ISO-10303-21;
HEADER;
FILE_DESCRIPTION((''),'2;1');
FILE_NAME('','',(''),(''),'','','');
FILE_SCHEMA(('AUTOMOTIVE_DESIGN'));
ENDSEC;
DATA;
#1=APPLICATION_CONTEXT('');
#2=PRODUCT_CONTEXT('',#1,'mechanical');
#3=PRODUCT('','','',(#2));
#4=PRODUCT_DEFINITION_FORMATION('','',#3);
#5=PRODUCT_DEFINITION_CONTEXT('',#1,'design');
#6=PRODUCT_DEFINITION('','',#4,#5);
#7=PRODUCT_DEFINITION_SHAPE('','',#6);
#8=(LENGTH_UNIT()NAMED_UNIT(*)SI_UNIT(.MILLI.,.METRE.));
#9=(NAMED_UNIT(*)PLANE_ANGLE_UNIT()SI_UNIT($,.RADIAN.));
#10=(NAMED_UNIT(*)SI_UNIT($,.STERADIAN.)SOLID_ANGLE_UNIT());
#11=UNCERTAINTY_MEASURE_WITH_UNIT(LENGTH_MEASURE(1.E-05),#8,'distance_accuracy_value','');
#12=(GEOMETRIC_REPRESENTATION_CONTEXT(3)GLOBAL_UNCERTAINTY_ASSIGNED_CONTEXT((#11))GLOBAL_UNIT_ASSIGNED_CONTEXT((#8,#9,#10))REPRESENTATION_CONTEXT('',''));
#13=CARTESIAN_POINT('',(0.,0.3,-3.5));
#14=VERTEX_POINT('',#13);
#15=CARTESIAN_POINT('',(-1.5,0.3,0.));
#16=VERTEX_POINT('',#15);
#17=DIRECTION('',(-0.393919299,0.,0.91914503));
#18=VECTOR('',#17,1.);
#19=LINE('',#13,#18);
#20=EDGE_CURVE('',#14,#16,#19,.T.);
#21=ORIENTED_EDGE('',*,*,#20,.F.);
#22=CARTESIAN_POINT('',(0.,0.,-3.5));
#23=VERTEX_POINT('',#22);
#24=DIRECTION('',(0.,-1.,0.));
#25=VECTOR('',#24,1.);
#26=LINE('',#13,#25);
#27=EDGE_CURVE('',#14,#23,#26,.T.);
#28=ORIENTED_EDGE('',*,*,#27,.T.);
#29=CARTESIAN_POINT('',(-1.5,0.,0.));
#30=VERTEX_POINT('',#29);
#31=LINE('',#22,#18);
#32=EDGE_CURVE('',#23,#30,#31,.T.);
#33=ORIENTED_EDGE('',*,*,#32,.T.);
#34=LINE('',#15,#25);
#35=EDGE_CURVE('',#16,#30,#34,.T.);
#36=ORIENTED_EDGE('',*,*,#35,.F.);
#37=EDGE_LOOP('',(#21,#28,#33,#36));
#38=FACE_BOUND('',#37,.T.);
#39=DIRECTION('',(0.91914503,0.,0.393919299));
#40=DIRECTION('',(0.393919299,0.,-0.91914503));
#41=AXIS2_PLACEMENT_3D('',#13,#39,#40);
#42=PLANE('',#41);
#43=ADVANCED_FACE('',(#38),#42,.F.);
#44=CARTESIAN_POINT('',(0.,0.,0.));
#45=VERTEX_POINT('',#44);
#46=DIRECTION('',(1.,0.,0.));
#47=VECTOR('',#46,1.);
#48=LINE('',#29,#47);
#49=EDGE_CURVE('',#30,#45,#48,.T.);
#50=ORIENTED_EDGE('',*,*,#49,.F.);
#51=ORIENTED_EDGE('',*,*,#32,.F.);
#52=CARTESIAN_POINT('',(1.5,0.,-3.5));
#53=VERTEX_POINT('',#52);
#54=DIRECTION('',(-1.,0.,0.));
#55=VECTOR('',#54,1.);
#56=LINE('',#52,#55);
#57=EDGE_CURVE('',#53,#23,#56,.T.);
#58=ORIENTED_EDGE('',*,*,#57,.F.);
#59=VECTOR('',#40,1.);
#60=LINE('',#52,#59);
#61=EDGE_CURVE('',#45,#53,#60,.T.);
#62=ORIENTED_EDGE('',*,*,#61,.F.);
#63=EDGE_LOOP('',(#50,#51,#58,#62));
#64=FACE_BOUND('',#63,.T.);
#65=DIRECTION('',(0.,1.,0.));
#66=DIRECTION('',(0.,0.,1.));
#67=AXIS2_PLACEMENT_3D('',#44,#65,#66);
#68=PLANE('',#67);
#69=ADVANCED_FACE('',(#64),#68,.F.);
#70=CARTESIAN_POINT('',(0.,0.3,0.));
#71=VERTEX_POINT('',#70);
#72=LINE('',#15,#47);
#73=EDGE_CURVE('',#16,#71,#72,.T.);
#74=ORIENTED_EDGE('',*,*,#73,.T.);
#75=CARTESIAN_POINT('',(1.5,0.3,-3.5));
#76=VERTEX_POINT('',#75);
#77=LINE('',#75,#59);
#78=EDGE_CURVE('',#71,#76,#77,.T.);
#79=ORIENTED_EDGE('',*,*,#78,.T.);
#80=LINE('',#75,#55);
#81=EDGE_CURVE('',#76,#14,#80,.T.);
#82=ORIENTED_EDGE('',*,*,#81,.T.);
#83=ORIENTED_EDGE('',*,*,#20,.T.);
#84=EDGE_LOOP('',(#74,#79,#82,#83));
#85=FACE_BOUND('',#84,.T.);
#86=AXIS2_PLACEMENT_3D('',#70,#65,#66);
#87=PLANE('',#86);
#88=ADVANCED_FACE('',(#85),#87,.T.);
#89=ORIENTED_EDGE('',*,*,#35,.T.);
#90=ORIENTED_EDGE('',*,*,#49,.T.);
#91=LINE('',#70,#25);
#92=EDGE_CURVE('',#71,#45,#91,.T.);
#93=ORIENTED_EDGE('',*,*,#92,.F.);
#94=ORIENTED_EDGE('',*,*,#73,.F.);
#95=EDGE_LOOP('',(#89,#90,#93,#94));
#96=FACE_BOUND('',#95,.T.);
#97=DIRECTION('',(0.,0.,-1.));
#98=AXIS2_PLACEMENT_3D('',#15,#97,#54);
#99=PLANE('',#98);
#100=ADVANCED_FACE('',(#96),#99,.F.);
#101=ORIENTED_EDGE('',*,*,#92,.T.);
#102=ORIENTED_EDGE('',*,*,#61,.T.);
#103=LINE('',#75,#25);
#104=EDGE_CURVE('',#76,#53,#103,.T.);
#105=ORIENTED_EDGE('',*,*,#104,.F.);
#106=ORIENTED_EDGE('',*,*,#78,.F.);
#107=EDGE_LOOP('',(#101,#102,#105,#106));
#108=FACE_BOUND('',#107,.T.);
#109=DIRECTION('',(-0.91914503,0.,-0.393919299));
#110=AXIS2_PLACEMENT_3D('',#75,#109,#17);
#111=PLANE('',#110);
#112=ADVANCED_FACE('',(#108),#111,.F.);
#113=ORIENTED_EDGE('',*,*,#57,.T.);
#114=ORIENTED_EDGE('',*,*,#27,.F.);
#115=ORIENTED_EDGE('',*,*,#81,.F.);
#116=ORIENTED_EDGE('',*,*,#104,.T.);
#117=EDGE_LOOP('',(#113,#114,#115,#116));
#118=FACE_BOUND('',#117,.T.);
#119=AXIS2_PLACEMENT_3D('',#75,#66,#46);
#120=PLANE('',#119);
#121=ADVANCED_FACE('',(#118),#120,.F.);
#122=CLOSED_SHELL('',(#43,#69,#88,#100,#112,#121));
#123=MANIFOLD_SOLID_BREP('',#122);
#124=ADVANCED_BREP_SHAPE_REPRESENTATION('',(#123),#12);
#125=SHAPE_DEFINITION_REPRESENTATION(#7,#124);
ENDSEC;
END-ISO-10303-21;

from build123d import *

# Parameters (mm, degrees)
BOSS_EXTRUDE1_DEPTH = 0.3


with BuildPart() as part:
    # Sketch1 → Boss-Extrude1 (new body)
    with BuildSketch(Plane(origin=(0, 0, 0), x_dir=(1, 0, 0), z_dir=(0, 1, 0))):
        Polygon((1.5, 3.5), (0, 3.5), (-1.5, 0), (0, 0), align=None)
    extrude(amount=BOSS_EXTRUDE1_DEPTH)


solid = part.part
